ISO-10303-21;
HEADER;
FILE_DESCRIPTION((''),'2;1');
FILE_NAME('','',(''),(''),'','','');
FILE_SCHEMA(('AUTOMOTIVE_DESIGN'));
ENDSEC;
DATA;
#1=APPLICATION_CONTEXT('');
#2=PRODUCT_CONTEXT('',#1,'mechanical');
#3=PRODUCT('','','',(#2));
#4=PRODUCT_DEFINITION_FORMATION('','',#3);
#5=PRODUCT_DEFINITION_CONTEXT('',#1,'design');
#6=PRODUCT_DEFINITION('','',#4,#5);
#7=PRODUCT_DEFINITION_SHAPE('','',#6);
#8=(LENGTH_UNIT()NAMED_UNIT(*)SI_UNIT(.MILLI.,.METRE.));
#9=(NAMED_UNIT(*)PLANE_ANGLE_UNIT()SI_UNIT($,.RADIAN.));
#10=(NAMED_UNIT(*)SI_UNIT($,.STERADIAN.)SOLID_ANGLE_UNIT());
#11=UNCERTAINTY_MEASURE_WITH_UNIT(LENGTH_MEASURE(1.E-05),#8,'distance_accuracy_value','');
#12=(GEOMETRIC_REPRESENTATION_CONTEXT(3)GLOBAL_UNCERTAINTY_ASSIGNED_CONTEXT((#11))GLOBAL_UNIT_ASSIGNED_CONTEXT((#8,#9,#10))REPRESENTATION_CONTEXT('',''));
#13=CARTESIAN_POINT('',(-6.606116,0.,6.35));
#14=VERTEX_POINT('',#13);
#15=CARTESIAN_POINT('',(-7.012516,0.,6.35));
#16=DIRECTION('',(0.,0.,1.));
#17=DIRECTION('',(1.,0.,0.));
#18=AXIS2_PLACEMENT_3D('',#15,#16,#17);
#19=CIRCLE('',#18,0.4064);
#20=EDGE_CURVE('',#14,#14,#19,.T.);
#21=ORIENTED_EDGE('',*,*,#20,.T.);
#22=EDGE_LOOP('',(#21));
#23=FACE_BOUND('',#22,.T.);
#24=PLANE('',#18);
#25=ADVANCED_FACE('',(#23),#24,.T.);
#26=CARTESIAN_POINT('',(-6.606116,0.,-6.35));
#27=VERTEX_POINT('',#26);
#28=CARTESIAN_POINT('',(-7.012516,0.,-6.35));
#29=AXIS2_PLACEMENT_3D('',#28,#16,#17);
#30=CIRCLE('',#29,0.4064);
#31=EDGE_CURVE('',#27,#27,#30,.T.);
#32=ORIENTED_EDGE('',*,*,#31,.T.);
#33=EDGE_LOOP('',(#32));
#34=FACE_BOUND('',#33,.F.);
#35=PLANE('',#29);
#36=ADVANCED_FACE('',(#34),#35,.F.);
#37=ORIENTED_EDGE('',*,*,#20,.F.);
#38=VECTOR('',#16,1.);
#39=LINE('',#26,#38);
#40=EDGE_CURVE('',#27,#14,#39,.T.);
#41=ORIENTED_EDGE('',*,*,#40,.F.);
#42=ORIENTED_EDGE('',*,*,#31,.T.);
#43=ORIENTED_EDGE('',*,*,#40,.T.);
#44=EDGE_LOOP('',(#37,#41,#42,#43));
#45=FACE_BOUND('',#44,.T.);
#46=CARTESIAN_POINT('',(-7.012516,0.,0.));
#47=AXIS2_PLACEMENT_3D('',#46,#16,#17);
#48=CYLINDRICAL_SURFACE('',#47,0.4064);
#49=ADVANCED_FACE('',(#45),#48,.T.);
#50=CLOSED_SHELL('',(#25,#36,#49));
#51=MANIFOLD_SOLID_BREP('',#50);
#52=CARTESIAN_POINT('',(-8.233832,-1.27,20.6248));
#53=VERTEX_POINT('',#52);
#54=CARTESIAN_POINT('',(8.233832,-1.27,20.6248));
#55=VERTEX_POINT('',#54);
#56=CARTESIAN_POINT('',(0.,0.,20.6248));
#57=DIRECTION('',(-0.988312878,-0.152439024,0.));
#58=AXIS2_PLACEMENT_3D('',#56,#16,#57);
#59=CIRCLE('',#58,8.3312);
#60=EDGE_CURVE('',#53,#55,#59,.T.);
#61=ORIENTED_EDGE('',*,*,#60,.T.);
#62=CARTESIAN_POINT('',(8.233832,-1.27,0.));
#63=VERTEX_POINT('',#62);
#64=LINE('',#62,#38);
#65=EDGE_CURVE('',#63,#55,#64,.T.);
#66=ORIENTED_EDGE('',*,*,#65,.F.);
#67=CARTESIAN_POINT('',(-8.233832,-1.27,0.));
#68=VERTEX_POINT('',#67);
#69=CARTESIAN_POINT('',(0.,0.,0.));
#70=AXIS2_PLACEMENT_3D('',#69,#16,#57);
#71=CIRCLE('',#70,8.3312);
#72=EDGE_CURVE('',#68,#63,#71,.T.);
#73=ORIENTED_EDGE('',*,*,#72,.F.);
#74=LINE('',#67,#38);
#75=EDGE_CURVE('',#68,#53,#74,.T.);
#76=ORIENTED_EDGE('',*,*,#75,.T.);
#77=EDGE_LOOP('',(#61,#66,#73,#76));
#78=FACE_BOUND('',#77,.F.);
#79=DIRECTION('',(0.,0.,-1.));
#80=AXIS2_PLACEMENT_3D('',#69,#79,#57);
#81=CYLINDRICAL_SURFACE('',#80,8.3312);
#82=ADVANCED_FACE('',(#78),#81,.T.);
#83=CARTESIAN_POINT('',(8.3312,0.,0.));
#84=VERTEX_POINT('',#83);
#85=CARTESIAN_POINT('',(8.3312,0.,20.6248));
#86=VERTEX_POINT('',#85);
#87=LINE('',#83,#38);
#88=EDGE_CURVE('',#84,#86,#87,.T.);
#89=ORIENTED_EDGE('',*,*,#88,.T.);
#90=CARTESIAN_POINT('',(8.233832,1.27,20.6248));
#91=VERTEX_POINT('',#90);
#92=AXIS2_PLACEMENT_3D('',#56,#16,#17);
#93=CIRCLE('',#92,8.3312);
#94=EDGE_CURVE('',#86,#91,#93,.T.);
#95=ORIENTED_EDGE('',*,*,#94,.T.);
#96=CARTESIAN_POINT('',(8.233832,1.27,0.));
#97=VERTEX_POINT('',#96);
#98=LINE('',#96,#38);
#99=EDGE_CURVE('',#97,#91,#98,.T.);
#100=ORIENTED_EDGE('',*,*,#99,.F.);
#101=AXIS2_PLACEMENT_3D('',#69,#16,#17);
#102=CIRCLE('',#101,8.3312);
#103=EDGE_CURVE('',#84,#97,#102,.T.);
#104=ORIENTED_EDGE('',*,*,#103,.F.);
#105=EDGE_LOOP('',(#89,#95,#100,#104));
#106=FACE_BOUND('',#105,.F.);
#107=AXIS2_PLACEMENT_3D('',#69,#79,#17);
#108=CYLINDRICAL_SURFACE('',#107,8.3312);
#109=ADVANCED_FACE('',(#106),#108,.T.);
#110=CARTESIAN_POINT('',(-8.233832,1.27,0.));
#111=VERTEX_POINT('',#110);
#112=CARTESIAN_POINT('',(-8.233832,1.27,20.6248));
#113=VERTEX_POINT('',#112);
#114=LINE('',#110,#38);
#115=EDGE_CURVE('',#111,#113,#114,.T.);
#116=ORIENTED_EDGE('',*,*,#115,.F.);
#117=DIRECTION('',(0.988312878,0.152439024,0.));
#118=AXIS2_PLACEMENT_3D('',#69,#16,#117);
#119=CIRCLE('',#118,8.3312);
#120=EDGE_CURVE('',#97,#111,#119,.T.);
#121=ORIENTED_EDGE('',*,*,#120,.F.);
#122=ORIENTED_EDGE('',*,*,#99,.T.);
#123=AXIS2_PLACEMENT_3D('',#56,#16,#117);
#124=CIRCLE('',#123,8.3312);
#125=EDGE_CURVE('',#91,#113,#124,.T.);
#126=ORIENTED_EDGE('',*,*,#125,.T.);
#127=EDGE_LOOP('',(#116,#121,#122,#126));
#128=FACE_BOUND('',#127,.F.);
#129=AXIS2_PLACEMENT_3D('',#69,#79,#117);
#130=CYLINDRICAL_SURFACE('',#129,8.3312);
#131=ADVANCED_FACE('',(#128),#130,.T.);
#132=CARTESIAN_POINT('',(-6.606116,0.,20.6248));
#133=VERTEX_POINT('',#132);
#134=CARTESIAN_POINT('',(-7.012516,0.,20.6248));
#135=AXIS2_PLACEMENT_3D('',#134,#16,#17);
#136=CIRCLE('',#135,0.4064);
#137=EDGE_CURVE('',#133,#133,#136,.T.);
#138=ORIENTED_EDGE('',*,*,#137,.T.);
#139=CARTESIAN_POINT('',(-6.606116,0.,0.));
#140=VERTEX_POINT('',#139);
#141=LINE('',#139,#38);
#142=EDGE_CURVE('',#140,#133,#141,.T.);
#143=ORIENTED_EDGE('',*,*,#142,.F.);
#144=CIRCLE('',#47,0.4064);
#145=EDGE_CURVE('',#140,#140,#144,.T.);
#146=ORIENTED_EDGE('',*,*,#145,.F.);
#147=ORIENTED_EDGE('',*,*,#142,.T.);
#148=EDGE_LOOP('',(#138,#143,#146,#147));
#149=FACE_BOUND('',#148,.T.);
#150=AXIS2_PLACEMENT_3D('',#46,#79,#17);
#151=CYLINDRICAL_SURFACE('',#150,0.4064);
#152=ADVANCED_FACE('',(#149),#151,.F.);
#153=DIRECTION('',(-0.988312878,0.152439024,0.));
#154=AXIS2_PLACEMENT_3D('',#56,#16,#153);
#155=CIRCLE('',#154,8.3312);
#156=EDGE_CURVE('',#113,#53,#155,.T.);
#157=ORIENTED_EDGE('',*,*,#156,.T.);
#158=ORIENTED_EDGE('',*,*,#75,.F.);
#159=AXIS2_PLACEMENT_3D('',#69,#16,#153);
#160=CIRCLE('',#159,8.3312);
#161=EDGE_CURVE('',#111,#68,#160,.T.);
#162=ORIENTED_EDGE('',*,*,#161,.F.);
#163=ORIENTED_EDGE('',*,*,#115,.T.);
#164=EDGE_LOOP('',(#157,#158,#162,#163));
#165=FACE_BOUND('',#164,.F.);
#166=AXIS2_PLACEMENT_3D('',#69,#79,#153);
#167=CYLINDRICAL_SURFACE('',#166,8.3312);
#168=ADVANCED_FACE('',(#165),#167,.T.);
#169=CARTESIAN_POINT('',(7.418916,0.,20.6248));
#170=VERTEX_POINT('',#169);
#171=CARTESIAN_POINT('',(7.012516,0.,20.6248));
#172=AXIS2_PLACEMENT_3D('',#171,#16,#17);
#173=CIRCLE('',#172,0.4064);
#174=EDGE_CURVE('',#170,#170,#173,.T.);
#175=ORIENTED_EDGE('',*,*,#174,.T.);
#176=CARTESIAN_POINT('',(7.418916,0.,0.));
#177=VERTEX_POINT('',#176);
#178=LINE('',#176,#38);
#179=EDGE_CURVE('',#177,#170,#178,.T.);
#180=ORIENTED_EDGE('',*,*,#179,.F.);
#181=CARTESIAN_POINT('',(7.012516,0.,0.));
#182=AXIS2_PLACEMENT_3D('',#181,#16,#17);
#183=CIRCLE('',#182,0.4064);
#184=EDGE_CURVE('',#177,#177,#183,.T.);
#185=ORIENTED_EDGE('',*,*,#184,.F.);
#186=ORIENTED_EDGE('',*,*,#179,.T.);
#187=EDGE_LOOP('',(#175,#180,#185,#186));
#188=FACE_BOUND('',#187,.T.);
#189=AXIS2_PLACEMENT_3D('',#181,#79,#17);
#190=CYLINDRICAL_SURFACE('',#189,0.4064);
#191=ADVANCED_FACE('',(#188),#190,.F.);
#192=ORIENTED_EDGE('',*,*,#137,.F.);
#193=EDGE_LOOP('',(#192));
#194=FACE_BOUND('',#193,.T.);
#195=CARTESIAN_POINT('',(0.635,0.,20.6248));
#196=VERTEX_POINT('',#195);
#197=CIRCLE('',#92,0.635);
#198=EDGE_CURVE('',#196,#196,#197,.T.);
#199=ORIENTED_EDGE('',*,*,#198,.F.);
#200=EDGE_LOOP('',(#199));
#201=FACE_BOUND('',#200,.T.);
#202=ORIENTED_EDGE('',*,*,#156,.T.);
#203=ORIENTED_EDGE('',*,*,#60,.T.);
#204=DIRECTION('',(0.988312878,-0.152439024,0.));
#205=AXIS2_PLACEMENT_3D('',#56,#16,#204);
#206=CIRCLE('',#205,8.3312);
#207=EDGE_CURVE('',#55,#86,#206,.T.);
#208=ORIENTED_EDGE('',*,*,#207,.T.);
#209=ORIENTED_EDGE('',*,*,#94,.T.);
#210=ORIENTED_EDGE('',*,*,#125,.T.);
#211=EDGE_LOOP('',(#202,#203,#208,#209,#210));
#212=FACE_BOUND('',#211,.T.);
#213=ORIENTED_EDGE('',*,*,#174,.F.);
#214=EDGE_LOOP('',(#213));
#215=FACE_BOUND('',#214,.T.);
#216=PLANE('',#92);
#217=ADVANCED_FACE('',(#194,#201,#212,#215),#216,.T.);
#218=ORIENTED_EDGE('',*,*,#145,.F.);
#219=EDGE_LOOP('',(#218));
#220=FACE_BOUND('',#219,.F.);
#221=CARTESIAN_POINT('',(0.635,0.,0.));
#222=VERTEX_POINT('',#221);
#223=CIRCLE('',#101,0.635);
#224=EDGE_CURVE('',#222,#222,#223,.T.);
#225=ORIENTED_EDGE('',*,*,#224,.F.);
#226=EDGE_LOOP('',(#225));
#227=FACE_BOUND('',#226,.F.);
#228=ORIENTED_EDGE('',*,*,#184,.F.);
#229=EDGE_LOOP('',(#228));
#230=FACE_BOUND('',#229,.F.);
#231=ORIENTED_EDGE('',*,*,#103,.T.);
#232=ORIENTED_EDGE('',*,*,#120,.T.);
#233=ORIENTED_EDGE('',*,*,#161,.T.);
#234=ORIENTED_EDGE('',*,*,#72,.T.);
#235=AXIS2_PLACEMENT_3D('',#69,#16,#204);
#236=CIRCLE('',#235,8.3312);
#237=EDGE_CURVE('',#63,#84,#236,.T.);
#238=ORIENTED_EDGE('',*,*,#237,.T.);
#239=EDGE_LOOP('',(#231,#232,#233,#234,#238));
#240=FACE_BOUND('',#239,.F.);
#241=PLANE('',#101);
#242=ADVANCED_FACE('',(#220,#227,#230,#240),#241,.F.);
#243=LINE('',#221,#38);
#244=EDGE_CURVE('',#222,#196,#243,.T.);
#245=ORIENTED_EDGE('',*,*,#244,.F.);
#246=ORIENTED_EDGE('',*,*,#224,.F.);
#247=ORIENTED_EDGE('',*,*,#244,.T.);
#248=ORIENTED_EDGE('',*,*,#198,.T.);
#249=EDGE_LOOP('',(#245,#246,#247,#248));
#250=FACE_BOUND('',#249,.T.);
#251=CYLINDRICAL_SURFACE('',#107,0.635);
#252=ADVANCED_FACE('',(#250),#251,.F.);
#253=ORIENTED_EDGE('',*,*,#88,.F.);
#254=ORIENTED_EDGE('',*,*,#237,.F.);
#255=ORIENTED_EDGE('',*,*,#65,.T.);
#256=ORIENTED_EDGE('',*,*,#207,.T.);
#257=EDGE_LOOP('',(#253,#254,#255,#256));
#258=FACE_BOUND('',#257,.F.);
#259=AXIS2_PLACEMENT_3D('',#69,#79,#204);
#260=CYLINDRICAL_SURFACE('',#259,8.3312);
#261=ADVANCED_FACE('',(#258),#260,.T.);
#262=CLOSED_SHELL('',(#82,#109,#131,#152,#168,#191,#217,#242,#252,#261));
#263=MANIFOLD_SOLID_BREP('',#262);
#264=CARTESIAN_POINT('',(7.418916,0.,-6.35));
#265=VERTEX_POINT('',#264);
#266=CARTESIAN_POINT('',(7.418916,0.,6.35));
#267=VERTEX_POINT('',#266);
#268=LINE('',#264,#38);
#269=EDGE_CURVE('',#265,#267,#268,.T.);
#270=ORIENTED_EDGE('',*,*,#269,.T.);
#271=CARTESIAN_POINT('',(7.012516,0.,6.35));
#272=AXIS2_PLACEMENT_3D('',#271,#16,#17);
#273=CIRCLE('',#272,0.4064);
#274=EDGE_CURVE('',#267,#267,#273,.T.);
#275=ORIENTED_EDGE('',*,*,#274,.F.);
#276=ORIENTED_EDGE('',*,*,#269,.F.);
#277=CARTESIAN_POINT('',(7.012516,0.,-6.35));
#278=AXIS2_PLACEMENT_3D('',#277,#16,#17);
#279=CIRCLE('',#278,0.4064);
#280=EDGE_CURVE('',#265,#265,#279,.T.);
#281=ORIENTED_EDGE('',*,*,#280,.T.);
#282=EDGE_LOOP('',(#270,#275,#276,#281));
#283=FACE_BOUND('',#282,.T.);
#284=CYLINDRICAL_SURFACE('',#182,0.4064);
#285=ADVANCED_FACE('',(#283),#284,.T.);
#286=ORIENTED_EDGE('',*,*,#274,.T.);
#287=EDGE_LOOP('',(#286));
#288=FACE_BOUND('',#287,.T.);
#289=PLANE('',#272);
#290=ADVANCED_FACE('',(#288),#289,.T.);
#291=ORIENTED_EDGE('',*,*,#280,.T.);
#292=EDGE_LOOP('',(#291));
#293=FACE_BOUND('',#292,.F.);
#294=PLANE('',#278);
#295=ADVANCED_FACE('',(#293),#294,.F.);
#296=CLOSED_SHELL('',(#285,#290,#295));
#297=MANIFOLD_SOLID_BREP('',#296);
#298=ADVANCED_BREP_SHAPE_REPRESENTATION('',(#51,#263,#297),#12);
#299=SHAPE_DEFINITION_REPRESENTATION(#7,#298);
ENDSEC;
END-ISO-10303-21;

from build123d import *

# Parameters (mm, degrees)
F0_R          = 0.635
F0_R_2        = 0.4064
F1_DEPTH      = 20.6248
F2_DEPTH      = 6.35
F2_DEPTH_BACK = 6.35


with BuildPart() as f1:
    # F0 (on Top) → F1 (new body)
    with BuildSketch(Plane.XY):
        with BuildLine():
            Line((5.6938322451, 1.27), (8.2338322451, 1.27))
            ThreePointArc((8.2338322451, 1.27), (0, 8.3312), (-8.2338322451, 1.27))
            Line((-8.2338322451, 1.27), (-5.6938322451, 1.27))
            Line((-5.6938322451, 1.27), (-5.6938322451, -1.27))
            Line((-5.6938322451, -1.27), (-8.2338322451, -1.27))
            ThreePointArc((-8.2338322451, -1.27), (0, -8.3312), (8.2338322451, -1.27))
            Line((8.2338322451, -1.27), (5.6938322451, -1.27))
            Line((5.6938322451, -1.27), (5.6938322451, 1.27))
        make_face()
        Circle(F0_R, mode=Mode.SUBTRACT)
        with BuildLine():
            Line((-5.6938322451, 1.27), (-8.2338322451, 1.27))
            ThreePointArc((-8.2338322451, 1.27), (-8.3312, 0), (-8.2338322451, -1.27))
            Line((-8.2338322451, -1.27), (-5.6938322451, -1.27))
            Line((-5.6938322451, -1.27), (-5.6938322451, 1.27))
        make_face()
        with Locations((-7.0125161225, 0)):
            Circle(F0_R_2, mode=Mode.SUBTRACT)
        with BuildLine():
            ThreePointArc((8.2338322451, -1.27), (8.3068223961, -0.6368635018), (8.3312, 0))
            ThreePointArc((8.3312, 0), (8.3068223961, 0.6368635018), (8.2338322451, 1.27))
            Line((8.2338322451, 1.27), (5.6938322451, 1.27))
            Line((5.6938322451, 1.27), (5.6938322451, -1.27))
            Line((5.6938322451, -1.27), (8.2338322451, -1.27))
        make_face()
        with Locations((7.0125161225, 0)):
            Circle(F0_R_2, mode=Mode.SUBTRACT)
    extrude(amount=F1_DEPTH)


with BuildPart() as f2:
    # F0 (on Top) → F2 (new body, two sides)
    with BuildSketch(Plane.XY) as f2_sk:
        with Locations((-7.0125161225, 0)):
            Circle(F0_R_2)
    extrude(amount=F2_DEPTH)
    extrude(f2_sk.sketch, amount=-F2_DEPTH_BACK)


with BuildPart() as f2b:
    # F0 (on Top) → F2, piece 2 (new body, two sides)
    with BuildSketch(Plane.XY) as f2_2_sk:
        with Locations((7.0125161225, 0)):
            Circle(F0_R_2)
    extrude(amount=F2_DEPTH)
    extrude(f2_2_sk.sketch, amount=-F2_DEPTH_BACK)


solid = Compound([f1.part, f2.part, f2b.part])
